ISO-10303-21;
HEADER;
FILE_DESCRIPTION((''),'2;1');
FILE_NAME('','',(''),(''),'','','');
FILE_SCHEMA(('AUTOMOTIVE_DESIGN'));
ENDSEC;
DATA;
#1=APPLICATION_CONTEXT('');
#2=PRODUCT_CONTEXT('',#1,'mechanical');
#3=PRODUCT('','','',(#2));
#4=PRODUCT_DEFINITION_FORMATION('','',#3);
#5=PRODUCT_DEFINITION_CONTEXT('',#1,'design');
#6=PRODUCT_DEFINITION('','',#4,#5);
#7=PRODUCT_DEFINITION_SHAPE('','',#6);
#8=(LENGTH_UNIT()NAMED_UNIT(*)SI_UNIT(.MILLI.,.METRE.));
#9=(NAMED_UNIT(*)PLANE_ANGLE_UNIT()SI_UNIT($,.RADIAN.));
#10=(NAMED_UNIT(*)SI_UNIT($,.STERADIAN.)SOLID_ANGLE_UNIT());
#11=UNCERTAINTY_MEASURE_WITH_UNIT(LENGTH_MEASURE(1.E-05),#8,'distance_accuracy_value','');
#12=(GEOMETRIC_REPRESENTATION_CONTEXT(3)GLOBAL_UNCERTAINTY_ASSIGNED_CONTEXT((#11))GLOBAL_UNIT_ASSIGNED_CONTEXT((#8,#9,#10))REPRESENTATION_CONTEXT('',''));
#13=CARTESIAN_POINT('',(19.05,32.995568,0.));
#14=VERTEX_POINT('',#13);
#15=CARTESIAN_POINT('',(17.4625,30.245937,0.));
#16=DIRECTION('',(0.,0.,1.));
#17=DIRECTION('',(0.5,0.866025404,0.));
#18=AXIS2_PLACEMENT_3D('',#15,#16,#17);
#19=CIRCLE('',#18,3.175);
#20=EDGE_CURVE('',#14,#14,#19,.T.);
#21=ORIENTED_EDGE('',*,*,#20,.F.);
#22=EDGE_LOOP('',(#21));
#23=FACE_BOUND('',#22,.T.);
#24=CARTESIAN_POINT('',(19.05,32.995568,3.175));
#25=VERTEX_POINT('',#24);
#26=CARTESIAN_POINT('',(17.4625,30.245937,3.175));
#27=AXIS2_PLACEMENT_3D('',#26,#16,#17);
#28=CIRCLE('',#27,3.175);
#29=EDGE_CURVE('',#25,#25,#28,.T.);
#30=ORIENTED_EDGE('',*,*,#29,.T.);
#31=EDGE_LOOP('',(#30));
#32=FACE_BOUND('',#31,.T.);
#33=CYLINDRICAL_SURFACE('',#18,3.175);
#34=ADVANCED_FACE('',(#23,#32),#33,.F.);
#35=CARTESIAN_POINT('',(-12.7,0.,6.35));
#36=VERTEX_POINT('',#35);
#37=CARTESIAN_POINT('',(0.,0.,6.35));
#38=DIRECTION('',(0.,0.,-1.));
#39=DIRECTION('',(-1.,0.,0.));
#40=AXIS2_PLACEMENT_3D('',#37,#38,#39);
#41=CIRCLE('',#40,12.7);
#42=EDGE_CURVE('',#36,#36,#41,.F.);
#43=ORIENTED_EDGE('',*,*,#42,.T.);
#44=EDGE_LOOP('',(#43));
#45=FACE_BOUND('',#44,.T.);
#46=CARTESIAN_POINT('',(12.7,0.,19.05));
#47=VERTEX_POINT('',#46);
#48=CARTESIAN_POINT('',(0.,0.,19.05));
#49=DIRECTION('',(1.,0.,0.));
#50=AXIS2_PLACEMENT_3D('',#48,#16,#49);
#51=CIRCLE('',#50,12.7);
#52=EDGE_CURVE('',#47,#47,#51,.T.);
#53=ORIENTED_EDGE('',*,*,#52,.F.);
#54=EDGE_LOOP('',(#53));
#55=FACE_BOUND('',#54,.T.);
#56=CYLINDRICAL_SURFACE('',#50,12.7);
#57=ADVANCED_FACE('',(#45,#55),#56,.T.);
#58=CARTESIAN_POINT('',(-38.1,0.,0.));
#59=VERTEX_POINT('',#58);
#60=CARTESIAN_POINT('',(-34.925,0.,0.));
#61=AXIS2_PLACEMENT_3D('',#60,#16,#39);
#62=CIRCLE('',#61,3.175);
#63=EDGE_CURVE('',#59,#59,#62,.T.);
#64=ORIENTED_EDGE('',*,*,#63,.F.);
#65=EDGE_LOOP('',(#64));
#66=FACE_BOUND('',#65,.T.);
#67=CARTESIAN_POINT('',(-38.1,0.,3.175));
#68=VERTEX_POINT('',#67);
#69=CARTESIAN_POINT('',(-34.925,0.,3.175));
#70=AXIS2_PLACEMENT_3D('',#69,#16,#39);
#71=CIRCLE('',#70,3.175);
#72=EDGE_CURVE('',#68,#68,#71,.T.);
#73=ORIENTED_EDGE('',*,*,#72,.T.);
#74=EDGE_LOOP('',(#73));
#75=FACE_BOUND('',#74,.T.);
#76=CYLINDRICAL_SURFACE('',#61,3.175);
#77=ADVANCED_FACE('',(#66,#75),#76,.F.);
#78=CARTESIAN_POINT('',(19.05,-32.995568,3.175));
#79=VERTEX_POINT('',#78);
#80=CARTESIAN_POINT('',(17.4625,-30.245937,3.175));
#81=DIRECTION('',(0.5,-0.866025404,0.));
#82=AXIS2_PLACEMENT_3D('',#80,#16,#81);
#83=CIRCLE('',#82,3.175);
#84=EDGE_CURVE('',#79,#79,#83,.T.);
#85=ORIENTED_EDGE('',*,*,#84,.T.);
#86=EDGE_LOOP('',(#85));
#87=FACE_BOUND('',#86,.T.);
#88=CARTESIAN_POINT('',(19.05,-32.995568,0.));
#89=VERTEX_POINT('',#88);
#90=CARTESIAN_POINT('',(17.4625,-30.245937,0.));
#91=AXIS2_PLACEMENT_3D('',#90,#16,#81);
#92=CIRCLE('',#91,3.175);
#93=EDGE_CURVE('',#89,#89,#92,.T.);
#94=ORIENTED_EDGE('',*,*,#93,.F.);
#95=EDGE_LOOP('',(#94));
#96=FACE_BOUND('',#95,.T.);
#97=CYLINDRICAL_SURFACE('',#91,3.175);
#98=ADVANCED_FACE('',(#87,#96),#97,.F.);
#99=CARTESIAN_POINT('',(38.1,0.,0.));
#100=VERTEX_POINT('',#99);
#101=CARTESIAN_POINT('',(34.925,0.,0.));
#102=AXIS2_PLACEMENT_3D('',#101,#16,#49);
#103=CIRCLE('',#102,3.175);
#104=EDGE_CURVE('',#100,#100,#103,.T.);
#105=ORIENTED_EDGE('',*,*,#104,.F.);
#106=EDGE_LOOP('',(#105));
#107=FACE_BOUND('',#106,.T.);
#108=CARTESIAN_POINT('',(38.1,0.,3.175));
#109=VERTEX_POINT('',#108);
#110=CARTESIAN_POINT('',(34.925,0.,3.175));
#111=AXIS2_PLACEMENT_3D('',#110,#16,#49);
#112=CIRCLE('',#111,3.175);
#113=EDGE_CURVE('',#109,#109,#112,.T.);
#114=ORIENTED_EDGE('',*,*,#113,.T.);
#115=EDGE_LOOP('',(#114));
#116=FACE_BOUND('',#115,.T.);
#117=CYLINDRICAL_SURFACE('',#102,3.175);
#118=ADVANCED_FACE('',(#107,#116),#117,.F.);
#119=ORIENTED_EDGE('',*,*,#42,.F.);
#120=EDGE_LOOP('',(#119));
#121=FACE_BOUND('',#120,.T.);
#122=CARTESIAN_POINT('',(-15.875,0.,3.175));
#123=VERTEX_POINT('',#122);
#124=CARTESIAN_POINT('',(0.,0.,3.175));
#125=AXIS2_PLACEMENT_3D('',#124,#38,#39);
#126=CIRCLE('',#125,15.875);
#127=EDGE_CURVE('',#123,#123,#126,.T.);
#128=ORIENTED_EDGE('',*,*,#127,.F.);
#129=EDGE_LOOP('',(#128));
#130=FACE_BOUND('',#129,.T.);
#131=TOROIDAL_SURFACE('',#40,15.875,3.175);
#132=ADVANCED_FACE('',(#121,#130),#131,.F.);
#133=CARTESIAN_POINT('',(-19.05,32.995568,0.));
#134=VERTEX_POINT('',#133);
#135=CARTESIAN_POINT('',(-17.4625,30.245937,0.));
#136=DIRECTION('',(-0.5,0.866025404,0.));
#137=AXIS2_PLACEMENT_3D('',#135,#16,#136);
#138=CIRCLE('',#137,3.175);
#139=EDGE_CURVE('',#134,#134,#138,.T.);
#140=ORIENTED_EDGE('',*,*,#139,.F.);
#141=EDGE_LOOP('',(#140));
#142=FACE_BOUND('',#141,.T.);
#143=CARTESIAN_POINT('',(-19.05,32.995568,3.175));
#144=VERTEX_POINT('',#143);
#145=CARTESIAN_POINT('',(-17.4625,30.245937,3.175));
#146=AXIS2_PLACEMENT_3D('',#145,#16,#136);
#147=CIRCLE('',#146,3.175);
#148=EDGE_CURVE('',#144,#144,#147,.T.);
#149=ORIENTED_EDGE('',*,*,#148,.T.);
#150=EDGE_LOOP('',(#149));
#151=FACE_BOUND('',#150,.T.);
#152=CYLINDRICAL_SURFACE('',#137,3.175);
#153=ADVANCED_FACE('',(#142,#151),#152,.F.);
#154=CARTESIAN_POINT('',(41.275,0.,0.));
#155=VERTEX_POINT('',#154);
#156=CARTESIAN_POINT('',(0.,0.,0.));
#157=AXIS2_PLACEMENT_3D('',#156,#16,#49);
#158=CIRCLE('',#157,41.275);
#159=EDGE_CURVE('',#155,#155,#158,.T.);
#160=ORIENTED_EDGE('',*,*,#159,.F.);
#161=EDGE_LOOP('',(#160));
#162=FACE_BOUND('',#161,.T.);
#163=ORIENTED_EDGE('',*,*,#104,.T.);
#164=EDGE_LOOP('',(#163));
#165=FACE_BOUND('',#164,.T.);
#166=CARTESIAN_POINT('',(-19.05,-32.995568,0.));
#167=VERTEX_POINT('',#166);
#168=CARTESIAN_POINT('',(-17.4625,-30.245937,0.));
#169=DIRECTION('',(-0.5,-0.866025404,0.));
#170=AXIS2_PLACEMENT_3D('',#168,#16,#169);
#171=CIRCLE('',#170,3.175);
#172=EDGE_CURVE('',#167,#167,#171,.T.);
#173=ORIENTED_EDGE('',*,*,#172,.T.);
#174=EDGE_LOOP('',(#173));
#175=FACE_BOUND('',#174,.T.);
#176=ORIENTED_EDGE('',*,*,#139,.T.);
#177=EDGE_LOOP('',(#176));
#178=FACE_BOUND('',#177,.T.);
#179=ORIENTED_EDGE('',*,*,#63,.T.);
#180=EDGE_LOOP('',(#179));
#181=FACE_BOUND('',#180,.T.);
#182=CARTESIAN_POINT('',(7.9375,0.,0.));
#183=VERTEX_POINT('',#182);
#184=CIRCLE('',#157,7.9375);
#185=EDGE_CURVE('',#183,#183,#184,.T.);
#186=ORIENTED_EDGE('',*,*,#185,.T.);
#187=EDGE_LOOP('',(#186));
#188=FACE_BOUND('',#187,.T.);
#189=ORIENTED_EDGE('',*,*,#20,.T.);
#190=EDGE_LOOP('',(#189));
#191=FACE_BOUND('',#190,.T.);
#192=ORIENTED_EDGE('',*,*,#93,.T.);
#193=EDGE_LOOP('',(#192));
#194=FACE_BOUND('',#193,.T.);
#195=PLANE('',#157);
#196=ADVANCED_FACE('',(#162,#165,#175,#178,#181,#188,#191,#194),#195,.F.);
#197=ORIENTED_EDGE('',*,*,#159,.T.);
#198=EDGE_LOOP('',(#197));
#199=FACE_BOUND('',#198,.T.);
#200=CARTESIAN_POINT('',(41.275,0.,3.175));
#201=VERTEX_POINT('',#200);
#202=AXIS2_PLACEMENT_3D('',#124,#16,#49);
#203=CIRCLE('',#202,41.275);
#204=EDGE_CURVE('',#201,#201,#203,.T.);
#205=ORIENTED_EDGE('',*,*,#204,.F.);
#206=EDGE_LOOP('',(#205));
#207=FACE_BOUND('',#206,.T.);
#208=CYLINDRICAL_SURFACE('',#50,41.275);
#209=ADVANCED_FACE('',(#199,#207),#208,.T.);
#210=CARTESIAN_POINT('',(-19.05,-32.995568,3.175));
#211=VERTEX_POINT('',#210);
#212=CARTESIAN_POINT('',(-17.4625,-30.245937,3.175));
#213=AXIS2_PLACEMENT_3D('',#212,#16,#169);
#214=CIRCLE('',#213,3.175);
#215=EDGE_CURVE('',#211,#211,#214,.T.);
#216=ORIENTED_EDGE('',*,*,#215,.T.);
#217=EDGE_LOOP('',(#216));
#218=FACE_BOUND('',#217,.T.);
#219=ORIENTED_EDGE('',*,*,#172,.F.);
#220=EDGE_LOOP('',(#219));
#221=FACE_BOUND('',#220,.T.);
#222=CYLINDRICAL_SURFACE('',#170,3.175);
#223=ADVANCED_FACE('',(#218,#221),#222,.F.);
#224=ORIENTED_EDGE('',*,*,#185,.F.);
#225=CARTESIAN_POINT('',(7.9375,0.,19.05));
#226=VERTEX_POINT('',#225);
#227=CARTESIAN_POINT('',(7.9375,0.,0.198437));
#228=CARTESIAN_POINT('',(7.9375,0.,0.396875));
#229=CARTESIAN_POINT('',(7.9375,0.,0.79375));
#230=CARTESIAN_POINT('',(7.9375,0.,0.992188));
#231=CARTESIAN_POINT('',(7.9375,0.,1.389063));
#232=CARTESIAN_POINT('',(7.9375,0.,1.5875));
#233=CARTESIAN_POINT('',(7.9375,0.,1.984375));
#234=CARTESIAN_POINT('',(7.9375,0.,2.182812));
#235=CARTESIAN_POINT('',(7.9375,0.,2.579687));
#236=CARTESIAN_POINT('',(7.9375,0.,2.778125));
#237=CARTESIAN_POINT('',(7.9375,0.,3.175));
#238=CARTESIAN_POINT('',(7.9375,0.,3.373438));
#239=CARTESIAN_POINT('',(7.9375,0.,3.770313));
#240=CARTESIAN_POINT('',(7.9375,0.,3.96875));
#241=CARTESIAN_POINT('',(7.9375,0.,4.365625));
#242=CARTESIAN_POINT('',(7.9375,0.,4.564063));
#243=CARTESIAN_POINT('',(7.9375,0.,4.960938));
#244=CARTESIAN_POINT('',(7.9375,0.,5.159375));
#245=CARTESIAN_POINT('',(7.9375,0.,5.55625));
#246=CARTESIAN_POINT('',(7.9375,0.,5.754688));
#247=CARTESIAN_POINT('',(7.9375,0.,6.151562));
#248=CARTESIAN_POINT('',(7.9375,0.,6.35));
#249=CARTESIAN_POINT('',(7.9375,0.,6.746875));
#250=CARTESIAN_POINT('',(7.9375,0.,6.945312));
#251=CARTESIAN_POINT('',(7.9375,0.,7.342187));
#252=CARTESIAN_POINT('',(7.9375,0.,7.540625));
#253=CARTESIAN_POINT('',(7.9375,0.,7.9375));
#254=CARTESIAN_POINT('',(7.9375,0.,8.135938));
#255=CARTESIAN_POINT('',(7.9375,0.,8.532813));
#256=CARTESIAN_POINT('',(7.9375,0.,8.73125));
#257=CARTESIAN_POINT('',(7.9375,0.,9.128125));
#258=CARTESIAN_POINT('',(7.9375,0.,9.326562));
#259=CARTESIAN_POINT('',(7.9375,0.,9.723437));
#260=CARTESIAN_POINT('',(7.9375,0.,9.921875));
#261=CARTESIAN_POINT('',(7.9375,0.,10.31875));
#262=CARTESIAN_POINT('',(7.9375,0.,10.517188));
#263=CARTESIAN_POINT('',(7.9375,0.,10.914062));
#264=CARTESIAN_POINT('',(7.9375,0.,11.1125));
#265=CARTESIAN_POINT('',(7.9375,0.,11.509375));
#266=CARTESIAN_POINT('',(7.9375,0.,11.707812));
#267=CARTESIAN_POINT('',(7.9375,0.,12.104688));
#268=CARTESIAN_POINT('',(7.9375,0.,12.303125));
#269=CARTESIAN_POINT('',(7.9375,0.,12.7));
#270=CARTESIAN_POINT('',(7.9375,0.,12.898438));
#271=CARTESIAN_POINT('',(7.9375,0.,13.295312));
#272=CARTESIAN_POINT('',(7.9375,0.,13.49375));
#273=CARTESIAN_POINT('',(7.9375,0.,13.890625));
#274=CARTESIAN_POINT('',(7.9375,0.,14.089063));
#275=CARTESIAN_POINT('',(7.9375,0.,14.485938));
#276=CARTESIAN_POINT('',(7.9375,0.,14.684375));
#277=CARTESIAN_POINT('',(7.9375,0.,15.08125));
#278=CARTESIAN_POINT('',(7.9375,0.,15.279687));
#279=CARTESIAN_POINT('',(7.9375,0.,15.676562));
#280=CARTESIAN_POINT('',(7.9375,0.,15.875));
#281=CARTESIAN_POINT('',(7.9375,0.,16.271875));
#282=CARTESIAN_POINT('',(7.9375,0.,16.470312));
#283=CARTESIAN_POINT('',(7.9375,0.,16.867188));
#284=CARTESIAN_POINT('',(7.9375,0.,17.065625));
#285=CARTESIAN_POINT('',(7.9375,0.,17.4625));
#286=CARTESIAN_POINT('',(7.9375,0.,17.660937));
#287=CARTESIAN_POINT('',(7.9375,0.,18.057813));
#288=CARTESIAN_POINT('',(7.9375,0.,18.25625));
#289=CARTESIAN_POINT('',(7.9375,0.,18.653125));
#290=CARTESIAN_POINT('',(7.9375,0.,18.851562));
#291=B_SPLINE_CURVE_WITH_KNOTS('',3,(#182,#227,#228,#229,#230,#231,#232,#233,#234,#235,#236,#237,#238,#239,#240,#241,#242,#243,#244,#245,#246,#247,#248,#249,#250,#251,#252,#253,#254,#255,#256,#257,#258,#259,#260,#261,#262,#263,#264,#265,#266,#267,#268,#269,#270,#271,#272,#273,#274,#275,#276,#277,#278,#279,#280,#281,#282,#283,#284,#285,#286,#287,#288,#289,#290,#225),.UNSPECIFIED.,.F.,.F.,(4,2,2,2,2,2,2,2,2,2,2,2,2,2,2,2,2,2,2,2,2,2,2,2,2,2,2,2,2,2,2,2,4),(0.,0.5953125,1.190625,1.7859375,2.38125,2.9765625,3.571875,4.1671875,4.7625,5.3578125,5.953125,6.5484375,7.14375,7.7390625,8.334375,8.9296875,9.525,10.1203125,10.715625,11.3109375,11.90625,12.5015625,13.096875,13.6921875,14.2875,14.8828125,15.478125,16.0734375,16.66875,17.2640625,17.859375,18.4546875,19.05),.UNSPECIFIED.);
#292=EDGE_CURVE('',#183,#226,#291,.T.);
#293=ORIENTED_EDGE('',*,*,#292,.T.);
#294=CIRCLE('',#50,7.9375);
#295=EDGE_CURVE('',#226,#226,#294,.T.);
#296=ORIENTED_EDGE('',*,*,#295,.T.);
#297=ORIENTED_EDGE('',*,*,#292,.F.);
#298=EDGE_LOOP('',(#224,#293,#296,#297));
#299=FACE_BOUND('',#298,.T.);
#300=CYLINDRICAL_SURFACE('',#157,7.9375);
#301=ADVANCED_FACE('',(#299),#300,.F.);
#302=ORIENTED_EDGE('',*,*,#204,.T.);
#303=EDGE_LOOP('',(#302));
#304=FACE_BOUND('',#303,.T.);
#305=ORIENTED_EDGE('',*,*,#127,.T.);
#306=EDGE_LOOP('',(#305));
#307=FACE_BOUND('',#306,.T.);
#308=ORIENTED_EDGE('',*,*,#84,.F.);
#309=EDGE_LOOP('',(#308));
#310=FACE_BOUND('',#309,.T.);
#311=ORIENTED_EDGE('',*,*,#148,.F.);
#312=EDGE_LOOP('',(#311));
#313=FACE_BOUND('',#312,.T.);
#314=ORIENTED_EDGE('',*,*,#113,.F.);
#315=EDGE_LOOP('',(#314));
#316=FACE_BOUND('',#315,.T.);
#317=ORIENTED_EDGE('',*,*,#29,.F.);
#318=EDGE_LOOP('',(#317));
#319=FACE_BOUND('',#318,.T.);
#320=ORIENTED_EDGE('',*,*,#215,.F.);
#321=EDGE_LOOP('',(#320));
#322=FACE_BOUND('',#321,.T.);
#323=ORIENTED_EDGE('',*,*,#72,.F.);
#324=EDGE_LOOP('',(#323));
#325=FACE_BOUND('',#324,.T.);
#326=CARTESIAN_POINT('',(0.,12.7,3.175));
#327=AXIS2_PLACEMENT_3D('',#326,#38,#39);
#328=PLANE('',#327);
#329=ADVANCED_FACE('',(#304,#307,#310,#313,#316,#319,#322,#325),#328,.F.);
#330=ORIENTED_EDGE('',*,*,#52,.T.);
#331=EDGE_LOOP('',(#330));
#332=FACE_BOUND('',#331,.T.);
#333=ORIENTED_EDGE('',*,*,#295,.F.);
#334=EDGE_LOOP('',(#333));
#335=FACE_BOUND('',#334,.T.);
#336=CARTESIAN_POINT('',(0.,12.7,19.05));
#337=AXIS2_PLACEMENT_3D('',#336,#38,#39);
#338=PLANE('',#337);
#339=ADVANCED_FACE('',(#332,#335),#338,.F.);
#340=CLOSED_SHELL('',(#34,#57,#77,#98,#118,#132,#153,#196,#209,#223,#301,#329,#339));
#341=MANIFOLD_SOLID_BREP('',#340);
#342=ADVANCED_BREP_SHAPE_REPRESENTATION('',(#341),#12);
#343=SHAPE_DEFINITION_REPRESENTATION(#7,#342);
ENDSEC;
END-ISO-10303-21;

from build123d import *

# Parameters (mm, degrees)
SKETCH2_R          = 7.9375
CUT_EXTRUDE1_DEPTH = 62.401577748
SKETCH3_R          = 3.175
CUT_EXTRUDE2_DEPTH = 61.491874454
CIRPATTERN1_COUNT  = 6
FILLET1_R          = 3.175


with BuildPart() as part:
    # Sketch1 → Flange Base (revolve)
    with BuildSketch(Plane(origin=(0, 0, 0), x_dir=(0, 0, -1), z_dir=(1, 0, 0)), mode=Mode.PRIVATE) as flange_base_sk:
        Polygon((-19.05, 0), (0, 0), (0, 41.275), (-3.175, 41.275), (-3.175, 12.7), (-19.05, 12.7), align=None)
    revolve(flange_base_sk.sketch.rotate(Axis((0, 0, 19.05), (0, 0, -1)), 90), axis=Axis((0, 0, 19.05), (0, 0, -1)))

    # Sketch2 → Cut-Extrude1 (cut, through all)
    with BuildSketch(Plane.XY.offset(19.05)):
        Circle(SKETCH2_R)
    extrude(amount=-CUT_EXTRUDE1_DEPTH, mode=Mode.SUBTRACT)

    # Sketch3 → Cut-Extrude2 (cut, through all)
    with BuildSketch(Plane.XY.offset(3.175)):
        with Locations((34.925, 0)):
            Circle(SKETCH3_R)
    cut_extrude2 = extrude(amount=-CUT_EXTRUDE2_DEPTH, mode=Mode.SUBTRACT)

    # CirPattern1: Cut-Extrude2 ×6 about axis
    cirpattern1_axis = Axis((0, 0, 0), (0, 0, 1))
    for i in range(1, CIRPATTERN1_COUNT):
        add(cut_extrude2.rotate(cirpattern1_axis, i * 360 / CIRPATTERN1_COUNT), mode=Mode.SUBTRACT)

    # Fillet1
    fillet1_edges = [part.edges().sort_by_distance(p)[0] for p in [
        (-12.7, 0, 3.175),
    ]]
    fillet(fillet1_edges, radius=FILLET1_R)


solid = part.part
